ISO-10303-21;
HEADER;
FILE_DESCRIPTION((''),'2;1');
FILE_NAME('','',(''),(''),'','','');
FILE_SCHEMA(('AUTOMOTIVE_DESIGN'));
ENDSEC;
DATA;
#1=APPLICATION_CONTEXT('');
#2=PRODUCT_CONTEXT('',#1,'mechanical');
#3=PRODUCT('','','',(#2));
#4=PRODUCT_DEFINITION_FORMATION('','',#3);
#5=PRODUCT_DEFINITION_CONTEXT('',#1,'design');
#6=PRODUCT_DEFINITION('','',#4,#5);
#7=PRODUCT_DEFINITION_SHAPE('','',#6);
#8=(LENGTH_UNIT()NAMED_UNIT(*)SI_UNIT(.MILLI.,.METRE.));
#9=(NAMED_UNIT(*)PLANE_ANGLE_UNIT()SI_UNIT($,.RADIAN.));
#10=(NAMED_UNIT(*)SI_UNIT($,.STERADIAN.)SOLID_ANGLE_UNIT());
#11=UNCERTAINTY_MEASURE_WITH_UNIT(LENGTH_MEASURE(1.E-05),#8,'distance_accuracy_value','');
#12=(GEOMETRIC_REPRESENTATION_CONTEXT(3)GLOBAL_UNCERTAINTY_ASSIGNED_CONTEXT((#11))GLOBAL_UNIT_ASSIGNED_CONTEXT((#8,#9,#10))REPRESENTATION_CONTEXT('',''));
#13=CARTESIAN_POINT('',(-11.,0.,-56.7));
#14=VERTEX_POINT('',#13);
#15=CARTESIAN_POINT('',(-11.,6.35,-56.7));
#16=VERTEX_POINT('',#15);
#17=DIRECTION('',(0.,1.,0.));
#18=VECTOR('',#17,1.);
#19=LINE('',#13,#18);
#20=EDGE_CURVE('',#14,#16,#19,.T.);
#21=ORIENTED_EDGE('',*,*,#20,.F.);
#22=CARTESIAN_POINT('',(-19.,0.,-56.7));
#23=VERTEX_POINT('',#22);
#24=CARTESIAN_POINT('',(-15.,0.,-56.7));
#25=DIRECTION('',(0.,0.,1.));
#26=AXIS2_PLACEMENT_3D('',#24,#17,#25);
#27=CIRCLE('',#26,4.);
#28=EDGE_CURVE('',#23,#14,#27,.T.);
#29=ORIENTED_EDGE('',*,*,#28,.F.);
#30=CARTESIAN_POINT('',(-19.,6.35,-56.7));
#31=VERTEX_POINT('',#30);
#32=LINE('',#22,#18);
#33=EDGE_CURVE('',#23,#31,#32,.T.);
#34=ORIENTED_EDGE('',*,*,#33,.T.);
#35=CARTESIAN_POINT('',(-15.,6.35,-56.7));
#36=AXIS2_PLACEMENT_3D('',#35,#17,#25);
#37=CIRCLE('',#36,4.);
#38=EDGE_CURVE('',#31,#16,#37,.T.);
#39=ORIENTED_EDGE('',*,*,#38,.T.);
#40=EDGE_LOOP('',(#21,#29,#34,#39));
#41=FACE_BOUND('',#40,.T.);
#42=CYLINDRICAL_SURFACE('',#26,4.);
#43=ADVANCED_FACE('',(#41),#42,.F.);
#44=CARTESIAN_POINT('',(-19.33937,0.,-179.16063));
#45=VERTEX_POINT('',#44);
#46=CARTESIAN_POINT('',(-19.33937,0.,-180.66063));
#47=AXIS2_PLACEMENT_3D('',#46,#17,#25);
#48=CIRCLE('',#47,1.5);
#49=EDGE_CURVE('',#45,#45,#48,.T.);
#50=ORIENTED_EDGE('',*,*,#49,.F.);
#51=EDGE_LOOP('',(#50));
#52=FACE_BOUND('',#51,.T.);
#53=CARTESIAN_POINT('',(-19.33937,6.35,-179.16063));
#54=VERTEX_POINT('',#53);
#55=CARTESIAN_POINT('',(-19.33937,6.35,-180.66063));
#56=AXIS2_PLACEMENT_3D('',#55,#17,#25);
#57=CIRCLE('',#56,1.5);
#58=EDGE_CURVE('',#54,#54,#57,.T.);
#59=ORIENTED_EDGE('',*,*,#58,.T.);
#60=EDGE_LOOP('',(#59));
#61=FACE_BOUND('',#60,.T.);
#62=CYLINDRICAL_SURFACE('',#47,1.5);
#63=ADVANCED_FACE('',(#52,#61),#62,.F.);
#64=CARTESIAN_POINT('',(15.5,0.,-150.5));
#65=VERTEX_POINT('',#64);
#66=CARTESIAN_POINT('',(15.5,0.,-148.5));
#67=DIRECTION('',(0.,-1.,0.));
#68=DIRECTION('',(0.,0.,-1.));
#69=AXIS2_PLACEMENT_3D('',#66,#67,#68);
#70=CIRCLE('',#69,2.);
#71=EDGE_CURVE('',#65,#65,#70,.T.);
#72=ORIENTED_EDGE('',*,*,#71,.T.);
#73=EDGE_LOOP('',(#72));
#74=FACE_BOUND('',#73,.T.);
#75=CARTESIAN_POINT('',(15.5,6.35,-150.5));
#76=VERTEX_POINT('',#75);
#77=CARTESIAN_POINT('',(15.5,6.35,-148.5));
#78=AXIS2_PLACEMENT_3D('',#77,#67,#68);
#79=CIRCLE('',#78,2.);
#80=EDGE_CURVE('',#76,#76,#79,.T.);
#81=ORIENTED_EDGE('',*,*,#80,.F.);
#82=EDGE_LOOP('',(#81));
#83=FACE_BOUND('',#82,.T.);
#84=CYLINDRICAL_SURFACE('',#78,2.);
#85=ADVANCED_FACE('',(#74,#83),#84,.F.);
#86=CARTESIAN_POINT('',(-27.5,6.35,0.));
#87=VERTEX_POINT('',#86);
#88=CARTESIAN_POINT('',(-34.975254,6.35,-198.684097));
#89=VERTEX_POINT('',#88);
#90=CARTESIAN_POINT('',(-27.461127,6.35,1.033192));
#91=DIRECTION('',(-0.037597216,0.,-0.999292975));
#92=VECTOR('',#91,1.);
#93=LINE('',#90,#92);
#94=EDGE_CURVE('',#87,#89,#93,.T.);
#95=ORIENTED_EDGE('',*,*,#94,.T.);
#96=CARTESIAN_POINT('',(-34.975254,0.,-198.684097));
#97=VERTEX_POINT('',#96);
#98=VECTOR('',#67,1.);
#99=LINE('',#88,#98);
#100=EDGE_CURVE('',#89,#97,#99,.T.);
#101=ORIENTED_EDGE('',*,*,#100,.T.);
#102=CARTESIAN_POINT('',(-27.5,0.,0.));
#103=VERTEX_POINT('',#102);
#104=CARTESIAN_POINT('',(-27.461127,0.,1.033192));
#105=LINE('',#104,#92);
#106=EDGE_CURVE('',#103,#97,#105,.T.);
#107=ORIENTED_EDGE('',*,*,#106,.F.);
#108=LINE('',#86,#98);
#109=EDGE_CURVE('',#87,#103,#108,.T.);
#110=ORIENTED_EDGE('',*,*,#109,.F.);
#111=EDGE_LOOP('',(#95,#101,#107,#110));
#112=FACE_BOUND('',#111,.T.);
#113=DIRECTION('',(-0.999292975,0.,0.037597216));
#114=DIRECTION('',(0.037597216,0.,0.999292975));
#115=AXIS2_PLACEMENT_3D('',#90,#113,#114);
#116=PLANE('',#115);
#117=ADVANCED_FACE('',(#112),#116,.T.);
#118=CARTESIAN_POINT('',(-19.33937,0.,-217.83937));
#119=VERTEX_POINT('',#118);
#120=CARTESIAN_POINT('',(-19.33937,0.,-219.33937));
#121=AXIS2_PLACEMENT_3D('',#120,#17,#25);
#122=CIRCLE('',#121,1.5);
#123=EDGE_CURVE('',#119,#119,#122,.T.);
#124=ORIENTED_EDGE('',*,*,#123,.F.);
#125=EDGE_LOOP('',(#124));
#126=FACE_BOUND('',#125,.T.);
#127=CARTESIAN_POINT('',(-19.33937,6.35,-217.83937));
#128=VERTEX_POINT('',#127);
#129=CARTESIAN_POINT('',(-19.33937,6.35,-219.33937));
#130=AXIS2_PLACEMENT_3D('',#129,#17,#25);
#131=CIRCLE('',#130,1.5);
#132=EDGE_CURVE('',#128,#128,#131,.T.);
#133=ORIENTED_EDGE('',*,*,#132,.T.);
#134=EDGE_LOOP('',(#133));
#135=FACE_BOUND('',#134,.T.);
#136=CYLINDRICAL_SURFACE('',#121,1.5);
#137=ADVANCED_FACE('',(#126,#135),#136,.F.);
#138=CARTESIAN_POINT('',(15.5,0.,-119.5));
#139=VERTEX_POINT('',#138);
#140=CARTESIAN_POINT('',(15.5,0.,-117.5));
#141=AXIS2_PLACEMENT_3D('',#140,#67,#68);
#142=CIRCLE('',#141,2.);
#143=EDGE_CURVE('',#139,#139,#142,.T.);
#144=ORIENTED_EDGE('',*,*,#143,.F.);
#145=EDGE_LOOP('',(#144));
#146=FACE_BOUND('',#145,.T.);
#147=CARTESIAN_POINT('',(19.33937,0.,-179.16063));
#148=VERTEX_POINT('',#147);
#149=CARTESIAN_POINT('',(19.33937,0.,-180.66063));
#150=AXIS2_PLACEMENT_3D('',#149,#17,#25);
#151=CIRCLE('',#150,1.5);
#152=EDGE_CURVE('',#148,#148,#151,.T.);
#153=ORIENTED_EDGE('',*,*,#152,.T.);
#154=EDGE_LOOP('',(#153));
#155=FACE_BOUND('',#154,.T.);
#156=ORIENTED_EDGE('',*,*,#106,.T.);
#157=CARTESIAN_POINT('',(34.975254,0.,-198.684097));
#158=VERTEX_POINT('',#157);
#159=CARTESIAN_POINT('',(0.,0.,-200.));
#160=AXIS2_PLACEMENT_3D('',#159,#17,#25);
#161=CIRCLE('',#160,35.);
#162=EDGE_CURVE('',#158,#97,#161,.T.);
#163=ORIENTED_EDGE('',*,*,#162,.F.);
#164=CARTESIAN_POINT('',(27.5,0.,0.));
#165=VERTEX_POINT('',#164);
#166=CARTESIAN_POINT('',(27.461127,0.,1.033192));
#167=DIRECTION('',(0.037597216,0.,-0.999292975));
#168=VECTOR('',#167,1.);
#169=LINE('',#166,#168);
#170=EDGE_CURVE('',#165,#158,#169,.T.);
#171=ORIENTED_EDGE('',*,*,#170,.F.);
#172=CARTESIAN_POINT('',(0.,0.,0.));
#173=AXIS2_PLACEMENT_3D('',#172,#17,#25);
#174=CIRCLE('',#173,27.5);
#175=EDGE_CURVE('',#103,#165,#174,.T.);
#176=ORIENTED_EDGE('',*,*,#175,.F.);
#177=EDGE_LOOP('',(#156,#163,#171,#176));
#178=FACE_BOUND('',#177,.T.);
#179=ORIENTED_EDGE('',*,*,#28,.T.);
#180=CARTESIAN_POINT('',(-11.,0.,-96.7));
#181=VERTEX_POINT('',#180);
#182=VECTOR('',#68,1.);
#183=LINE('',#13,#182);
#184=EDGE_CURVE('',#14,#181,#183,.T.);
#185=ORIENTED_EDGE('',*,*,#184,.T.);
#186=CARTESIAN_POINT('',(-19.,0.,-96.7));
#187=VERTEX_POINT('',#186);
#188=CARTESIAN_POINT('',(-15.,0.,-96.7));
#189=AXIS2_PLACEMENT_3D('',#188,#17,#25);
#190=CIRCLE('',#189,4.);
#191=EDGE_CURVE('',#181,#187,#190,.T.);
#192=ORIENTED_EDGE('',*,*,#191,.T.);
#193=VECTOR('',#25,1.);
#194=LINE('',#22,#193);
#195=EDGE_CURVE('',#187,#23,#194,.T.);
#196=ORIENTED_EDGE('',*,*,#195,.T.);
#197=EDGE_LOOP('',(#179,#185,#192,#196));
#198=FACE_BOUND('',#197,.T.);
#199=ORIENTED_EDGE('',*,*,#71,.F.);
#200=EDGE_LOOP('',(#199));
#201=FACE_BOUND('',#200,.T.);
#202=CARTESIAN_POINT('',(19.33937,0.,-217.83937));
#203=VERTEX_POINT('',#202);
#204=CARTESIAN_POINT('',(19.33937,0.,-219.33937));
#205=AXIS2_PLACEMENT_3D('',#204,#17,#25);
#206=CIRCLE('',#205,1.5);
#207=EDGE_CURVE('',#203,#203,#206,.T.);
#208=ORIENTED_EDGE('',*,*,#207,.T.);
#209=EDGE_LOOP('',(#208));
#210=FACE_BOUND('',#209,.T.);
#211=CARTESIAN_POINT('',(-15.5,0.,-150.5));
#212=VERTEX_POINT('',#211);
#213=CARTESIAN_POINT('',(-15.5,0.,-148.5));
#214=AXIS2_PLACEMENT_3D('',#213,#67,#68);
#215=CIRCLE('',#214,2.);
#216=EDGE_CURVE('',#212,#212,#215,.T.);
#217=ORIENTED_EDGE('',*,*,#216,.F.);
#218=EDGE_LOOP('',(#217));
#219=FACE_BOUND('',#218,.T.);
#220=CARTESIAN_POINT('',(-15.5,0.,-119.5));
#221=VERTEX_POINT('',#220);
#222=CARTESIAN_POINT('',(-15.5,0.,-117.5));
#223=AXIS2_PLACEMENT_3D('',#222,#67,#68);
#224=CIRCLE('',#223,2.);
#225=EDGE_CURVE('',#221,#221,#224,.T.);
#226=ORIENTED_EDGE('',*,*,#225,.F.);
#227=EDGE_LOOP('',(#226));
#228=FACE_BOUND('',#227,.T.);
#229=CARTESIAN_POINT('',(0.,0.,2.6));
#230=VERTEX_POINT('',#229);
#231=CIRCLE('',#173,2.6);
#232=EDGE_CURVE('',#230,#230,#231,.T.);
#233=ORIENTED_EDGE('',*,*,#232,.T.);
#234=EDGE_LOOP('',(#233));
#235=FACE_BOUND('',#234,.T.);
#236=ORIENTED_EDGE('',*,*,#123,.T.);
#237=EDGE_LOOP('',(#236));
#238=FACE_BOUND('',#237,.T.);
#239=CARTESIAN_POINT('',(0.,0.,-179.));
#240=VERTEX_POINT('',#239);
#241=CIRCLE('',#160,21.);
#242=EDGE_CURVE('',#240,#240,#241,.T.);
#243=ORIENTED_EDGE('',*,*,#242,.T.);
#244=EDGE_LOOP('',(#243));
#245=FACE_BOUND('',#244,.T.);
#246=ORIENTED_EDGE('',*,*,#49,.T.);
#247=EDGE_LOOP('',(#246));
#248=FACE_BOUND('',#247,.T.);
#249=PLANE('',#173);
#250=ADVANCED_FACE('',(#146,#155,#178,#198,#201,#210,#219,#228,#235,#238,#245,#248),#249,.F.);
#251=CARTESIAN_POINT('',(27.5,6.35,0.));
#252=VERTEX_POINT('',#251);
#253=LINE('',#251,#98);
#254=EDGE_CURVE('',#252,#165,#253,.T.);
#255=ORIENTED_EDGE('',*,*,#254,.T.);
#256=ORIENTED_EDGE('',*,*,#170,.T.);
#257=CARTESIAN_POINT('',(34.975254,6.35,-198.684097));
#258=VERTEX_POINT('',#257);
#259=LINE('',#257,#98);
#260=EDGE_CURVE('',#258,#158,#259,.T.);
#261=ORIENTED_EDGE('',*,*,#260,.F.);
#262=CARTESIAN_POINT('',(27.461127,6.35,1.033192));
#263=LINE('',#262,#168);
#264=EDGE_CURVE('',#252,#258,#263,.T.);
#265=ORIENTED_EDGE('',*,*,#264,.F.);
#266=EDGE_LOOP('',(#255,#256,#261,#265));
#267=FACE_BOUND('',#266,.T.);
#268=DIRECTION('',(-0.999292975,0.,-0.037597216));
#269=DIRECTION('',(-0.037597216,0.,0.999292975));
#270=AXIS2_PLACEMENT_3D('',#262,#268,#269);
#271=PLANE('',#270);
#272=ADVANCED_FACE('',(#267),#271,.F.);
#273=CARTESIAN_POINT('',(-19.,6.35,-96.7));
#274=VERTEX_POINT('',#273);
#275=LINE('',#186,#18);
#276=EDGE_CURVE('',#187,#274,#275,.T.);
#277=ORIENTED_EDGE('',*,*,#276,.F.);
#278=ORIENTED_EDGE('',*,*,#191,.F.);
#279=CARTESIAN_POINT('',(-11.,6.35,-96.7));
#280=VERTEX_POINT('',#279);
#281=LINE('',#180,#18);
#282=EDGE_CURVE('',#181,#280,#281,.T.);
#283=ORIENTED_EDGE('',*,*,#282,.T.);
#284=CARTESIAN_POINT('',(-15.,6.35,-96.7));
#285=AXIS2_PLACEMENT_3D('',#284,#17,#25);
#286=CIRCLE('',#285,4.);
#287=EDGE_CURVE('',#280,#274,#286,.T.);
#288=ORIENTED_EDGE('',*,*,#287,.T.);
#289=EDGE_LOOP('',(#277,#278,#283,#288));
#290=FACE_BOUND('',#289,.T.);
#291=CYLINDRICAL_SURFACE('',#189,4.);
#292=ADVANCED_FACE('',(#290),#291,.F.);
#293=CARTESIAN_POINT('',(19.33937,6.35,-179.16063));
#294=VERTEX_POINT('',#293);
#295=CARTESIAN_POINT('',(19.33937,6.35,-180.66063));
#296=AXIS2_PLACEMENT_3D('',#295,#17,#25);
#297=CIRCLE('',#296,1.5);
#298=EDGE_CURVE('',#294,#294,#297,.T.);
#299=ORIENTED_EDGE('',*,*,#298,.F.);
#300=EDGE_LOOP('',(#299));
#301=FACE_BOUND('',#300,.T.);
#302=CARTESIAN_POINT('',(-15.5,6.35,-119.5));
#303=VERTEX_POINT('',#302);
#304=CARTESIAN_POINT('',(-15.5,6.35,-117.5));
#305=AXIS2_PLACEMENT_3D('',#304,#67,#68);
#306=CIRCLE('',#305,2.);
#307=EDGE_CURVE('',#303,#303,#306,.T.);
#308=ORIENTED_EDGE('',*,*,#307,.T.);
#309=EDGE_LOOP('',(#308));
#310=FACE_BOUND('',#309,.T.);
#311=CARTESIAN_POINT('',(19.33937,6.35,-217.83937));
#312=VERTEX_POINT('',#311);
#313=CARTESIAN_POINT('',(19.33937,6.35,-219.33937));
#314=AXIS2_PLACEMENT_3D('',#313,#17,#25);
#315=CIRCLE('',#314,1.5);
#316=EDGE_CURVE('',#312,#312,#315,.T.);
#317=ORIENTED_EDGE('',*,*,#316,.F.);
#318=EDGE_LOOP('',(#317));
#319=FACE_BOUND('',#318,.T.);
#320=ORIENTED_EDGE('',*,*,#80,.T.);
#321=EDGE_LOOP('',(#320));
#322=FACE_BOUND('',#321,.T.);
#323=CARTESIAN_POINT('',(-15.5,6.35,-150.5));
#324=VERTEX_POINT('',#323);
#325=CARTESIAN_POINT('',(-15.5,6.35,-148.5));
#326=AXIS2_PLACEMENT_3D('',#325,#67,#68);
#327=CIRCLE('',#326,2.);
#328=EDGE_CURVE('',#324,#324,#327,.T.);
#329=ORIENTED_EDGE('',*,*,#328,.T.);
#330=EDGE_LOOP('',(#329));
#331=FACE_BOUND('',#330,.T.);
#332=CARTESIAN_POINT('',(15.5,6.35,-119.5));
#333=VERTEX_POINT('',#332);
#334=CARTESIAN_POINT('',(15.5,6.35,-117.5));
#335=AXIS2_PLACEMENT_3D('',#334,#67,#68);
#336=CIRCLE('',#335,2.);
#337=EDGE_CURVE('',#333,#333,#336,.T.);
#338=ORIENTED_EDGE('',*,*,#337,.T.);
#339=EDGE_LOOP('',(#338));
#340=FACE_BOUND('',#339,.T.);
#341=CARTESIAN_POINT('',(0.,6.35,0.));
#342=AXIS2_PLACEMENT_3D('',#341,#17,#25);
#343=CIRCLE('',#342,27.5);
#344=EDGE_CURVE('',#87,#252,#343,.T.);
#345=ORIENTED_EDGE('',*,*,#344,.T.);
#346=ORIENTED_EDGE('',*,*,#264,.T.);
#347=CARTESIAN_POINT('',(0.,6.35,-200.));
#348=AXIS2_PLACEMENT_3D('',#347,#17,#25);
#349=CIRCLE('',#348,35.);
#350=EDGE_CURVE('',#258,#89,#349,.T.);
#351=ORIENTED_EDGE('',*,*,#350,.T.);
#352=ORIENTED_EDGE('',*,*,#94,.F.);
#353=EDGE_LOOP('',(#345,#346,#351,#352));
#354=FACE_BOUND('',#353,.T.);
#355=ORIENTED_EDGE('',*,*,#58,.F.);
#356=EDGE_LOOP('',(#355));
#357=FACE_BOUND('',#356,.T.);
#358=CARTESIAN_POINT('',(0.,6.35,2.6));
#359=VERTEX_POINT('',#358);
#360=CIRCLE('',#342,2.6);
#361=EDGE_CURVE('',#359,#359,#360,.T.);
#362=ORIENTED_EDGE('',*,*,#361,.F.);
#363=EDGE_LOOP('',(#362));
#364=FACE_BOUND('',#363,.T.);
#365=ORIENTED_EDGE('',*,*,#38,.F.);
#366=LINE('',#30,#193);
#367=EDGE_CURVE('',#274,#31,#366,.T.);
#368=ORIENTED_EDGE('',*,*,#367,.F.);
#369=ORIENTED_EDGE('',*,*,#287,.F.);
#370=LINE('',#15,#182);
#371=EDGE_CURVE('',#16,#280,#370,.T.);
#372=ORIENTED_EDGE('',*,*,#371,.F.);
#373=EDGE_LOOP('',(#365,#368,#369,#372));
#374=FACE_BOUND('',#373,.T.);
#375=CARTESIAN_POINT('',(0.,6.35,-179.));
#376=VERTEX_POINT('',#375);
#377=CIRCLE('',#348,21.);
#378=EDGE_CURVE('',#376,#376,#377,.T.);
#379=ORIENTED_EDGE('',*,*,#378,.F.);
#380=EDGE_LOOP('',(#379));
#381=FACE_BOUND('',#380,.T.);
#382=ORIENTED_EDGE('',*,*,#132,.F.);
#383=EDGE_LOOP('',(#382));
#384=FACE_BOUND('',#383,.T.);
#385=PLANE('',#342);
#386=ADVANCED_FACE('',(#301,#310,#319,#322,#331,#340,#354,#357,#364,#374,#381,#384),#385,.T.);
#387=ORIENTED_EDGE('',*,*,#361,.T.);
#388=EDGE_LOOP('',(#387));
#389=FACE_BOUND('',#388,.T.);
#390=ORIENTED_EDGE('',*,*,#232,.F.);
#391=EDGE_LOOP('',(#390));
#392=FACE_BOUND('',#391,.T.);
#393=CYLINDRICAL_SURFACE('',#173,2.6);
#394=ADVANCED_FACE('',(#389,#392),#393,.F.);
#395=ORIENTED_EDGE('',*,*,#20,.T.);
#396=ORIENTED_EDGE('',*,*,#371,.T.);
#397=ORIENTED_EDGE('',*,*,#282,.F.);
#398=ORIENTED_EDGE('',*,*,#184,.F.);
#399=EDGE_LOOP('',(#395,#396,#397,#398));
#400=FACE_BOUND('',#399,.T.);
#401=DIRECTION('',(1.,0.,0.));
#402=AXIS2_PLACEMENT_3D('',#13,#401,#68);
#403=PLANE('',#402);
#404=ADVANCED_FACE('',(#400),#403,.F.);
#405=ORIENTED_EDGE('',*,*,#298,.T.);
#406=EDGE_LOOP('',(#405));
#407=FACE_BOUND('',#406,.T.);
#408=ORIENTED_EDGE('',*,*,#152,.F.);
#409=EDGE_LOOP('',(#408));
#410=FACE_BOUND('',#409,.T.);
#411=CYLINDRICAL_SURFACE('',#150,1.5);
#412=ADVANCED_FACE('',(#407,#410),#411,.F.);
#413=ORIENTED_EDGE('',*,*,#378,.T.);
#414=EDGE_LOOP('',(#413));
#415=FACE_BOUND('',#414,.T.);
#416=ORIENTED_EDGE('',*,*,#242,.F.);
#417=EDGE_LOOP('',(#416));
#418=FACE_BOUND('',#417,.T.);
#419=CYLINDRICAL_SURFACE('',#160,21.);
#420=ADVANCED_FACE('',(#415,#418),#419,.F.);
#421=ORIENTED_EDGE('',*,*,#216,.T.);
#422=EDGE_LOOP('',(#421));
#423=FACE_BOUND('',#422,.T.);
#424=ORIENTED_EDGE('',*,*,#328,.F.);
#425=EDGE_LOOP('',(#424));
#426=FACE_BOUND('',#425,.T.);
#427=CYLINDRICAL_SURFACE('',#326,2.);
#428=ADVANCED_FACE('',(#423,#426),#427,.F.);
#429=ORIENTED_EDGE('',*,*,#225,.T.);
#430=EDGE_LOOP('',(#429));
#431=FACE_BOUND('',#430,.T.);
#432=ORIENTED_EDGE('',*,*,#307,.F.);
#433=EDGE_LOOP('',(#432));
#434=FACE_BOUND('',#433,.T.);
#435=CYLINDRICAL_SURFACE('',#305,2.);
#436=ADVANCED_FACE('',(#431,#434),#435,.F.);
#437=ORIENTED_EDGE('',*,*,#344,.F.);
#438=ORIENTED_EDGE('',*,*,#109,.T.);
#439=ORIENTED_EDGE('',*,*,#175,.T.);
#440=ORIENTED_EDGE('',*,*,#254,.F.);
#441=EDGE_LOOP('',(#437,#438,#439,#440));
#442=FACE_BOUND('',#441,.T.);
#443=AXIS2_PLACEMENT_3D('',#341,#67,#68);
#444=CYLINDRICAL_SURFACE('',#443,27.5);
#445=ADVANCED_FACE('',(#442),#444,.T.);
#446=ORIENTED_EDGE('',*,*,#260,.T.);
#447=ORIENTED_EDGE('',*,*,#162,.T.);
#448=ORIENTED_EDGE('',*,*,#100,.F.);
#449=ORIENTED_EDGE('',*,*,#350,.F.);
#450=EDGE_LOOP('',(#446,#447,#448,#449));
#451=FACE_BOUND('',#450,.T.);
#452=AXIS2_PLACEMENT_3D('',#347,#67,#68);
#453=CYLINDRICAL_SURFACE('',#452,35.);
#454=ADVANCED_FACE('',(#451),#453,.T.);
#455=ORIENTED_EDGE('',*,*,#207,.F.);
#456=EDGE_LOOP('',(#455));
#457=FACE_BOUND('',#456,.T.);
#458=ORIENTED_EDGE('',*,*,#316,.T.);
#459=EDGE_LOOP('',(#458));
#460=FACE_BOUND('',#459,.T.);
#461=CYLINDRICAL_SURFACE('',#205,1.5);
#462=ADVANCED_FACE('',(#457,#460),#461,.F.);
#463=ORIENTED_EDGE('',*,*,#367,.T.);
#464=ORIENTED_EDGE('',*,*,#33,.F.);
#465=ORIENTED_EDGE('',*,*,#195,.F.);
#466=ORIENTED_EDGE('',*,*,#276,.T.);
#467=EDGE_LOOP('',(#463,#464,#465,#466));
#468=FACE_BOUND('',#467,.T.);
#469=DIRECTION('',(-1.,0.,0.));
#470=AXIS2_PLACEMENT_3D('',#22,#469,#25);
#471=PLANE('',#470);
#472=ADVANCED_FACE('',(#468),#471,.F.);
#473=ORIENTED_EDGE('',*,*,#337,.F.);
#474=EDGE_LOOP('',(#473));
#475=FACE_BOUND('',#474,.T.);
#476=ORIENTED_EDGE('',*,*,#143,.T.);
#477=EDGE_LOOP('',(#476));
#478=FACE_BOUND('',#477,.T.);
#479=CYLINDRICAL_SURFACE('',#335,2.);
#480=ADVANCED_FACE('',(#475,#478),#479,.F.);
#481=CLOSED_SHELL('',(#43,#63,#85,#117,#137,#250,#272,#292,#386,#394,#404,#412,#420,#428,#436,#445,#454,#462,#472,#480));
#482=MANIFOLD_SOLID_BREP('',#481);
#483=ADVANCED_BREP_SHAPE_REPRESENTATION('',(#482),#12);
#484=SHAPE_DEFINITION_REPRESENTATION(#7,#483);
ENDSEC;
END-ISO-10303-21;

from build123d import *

# Parameters (mm, degrees)
BOSS_EXTRUDE1_DEPTH     = 6.35
SKETCH2_R               = 2.6
CUT_EXTRUDE1_DEPTH      = 238.676928834
ESQUISSE3_R             = 21
ENL_V_MAT_EXTRU_2_DEPTH = 238.676928834
ESQUISSE7_R             = 1.5
ENL_V_MAT_EXTRU_3_DEPTH = 238.676928834
CUT_EXTRUDE3_DEPTH      = 238.676928834
SKETCH5_R               = 2
CUT_EXTRUDE4_DEPTH      = 238.676928834


with BuildPart() as part:
    # Sketch1 → Boss-Extrude1 (new body)
    with BuildSketch(Plane(origin=(0, 0, 0), x_dir=(1, 0, 0), z_dir=(0, 1, 0))):
        with BuildLine():
            Line((27.5, 0), (34.975254116, 198.684097441))
            ThreePointArc((34.975254116, 198.684097441), (0, 235), (-34.975254116, 198.684097441))
            Line((-34.975254116, 198.684097441), (-27.5, 0))
            ThreePointArc((-27.5, 0), (0, -27.5), (27.5, 0))
        make_face()
    extrude(amount=BOSS_EXTRUDE1_DEPTH)

    # Sketch2 → Cut-Extrude1 (cut, through all)
    with BuildSketch(Plane(origin=(0, 6.35, 0), x_dir=(1, 0, 0), z_dir=(0, 1, 0))):
        with Locations(Location((0, 0, 0), (0, 0, 270))):
            Circle(SKETCH2_R)
    extrude(amount=-CUT_EXTRUDE1_DEPTH, mode=Mode.SUBTRACT)

    # Esquisse3 → Enlèv. mat.-Extru.2 (cut, through all)
    with BuildSketch(Plane(origin=(0, 6.35, 0), x_dir=(1, 0, 0), z_dir=(0, 1, 0))):
        with Locations(Location((0, 200, 0), (0, 0, 270))):
            Circle(ESQUISSE3_R)
    extrude(amount=-ENL_V_MAT_EXTRU_2_DEPTH, mode=Mode.SUBTRACT)

    # Esquisse7 → Enlèv. mat.-Extru.3 (cut, through all)
    with BuildSketch(Plane(origin=(0, 6.35, 0), x_dir=(1, 0, 0), z_dir=(0, 1, 0))):
        with Locations(Location((-19.339370465, 219.339370465, 0), (0, 0, 270))):
            Circle(ESQUISSE7_R)
        with Locations(Location((19.339370465, 219.339370465, 0), (0, 0, 270))):
            Circle(ESQUISSE7_R)
        with Locations(Location((19.339370465, 180.660629535, 0), (0, 0, 270))):
            Circle(ESQUISSE7_R)
        with Locations(Location((-19.339370465, 180.660629535, 0), (0, 0, 270))):
            Circle(ESQUISSE7_R)
    extrude(amount=-ENL_V_MAT_EXTRU_3_DEPTH, mode=Mode.SUBTRACT)

    # Sketch4 → Cut-Extrude3 (cut, through all)
    with BuildSketch(Plane(origin=(0, 6.35, 0), x_dir=(1, 0, 0), z_dir=(0, 1, 0))):
        with BuildLine():
            Line((-19, 56.7), (-19, 96.7))
            ThreePointArc((-19, 96.7), (-15, 100.7), (-11, 96.7))
            Line((-11, 96.7), (-11, 56.7))
            ThreePointArc((-11, 56.7), (-15, 52.7), (-19, 56.7))
        make_face()
    extrude(amount=-CUT_EXTRUDE3_DEPTH, mode=Mode.SUBTRACT)

    # Sketch5 → Cut-Extrude4 (cut, through all)
    with BuildSketch(Plane.XZ):
        with Locations(Location((15.5, -117.5, 0), (0, 0, 270))):
            Circle(SKETCH5_R)
        with Locations(Location((15.5, -148.5, 0), (0, 0, 270))):
            Circle(SKETCH5_R)
        with Locations(Location((-15.5, -148.5, 0), (0, 0, 270))):
            Circle(SKETCH5_R)
        with Locations(Location((-15.5, -117.5, 0), (0, 0, 270))):
            Circle(SKETCH5_R)
    extrude(amount=-CUT_EXTRUDE4_DEPTH, mode=Mode.SUBTRACT)


solid = part.part
